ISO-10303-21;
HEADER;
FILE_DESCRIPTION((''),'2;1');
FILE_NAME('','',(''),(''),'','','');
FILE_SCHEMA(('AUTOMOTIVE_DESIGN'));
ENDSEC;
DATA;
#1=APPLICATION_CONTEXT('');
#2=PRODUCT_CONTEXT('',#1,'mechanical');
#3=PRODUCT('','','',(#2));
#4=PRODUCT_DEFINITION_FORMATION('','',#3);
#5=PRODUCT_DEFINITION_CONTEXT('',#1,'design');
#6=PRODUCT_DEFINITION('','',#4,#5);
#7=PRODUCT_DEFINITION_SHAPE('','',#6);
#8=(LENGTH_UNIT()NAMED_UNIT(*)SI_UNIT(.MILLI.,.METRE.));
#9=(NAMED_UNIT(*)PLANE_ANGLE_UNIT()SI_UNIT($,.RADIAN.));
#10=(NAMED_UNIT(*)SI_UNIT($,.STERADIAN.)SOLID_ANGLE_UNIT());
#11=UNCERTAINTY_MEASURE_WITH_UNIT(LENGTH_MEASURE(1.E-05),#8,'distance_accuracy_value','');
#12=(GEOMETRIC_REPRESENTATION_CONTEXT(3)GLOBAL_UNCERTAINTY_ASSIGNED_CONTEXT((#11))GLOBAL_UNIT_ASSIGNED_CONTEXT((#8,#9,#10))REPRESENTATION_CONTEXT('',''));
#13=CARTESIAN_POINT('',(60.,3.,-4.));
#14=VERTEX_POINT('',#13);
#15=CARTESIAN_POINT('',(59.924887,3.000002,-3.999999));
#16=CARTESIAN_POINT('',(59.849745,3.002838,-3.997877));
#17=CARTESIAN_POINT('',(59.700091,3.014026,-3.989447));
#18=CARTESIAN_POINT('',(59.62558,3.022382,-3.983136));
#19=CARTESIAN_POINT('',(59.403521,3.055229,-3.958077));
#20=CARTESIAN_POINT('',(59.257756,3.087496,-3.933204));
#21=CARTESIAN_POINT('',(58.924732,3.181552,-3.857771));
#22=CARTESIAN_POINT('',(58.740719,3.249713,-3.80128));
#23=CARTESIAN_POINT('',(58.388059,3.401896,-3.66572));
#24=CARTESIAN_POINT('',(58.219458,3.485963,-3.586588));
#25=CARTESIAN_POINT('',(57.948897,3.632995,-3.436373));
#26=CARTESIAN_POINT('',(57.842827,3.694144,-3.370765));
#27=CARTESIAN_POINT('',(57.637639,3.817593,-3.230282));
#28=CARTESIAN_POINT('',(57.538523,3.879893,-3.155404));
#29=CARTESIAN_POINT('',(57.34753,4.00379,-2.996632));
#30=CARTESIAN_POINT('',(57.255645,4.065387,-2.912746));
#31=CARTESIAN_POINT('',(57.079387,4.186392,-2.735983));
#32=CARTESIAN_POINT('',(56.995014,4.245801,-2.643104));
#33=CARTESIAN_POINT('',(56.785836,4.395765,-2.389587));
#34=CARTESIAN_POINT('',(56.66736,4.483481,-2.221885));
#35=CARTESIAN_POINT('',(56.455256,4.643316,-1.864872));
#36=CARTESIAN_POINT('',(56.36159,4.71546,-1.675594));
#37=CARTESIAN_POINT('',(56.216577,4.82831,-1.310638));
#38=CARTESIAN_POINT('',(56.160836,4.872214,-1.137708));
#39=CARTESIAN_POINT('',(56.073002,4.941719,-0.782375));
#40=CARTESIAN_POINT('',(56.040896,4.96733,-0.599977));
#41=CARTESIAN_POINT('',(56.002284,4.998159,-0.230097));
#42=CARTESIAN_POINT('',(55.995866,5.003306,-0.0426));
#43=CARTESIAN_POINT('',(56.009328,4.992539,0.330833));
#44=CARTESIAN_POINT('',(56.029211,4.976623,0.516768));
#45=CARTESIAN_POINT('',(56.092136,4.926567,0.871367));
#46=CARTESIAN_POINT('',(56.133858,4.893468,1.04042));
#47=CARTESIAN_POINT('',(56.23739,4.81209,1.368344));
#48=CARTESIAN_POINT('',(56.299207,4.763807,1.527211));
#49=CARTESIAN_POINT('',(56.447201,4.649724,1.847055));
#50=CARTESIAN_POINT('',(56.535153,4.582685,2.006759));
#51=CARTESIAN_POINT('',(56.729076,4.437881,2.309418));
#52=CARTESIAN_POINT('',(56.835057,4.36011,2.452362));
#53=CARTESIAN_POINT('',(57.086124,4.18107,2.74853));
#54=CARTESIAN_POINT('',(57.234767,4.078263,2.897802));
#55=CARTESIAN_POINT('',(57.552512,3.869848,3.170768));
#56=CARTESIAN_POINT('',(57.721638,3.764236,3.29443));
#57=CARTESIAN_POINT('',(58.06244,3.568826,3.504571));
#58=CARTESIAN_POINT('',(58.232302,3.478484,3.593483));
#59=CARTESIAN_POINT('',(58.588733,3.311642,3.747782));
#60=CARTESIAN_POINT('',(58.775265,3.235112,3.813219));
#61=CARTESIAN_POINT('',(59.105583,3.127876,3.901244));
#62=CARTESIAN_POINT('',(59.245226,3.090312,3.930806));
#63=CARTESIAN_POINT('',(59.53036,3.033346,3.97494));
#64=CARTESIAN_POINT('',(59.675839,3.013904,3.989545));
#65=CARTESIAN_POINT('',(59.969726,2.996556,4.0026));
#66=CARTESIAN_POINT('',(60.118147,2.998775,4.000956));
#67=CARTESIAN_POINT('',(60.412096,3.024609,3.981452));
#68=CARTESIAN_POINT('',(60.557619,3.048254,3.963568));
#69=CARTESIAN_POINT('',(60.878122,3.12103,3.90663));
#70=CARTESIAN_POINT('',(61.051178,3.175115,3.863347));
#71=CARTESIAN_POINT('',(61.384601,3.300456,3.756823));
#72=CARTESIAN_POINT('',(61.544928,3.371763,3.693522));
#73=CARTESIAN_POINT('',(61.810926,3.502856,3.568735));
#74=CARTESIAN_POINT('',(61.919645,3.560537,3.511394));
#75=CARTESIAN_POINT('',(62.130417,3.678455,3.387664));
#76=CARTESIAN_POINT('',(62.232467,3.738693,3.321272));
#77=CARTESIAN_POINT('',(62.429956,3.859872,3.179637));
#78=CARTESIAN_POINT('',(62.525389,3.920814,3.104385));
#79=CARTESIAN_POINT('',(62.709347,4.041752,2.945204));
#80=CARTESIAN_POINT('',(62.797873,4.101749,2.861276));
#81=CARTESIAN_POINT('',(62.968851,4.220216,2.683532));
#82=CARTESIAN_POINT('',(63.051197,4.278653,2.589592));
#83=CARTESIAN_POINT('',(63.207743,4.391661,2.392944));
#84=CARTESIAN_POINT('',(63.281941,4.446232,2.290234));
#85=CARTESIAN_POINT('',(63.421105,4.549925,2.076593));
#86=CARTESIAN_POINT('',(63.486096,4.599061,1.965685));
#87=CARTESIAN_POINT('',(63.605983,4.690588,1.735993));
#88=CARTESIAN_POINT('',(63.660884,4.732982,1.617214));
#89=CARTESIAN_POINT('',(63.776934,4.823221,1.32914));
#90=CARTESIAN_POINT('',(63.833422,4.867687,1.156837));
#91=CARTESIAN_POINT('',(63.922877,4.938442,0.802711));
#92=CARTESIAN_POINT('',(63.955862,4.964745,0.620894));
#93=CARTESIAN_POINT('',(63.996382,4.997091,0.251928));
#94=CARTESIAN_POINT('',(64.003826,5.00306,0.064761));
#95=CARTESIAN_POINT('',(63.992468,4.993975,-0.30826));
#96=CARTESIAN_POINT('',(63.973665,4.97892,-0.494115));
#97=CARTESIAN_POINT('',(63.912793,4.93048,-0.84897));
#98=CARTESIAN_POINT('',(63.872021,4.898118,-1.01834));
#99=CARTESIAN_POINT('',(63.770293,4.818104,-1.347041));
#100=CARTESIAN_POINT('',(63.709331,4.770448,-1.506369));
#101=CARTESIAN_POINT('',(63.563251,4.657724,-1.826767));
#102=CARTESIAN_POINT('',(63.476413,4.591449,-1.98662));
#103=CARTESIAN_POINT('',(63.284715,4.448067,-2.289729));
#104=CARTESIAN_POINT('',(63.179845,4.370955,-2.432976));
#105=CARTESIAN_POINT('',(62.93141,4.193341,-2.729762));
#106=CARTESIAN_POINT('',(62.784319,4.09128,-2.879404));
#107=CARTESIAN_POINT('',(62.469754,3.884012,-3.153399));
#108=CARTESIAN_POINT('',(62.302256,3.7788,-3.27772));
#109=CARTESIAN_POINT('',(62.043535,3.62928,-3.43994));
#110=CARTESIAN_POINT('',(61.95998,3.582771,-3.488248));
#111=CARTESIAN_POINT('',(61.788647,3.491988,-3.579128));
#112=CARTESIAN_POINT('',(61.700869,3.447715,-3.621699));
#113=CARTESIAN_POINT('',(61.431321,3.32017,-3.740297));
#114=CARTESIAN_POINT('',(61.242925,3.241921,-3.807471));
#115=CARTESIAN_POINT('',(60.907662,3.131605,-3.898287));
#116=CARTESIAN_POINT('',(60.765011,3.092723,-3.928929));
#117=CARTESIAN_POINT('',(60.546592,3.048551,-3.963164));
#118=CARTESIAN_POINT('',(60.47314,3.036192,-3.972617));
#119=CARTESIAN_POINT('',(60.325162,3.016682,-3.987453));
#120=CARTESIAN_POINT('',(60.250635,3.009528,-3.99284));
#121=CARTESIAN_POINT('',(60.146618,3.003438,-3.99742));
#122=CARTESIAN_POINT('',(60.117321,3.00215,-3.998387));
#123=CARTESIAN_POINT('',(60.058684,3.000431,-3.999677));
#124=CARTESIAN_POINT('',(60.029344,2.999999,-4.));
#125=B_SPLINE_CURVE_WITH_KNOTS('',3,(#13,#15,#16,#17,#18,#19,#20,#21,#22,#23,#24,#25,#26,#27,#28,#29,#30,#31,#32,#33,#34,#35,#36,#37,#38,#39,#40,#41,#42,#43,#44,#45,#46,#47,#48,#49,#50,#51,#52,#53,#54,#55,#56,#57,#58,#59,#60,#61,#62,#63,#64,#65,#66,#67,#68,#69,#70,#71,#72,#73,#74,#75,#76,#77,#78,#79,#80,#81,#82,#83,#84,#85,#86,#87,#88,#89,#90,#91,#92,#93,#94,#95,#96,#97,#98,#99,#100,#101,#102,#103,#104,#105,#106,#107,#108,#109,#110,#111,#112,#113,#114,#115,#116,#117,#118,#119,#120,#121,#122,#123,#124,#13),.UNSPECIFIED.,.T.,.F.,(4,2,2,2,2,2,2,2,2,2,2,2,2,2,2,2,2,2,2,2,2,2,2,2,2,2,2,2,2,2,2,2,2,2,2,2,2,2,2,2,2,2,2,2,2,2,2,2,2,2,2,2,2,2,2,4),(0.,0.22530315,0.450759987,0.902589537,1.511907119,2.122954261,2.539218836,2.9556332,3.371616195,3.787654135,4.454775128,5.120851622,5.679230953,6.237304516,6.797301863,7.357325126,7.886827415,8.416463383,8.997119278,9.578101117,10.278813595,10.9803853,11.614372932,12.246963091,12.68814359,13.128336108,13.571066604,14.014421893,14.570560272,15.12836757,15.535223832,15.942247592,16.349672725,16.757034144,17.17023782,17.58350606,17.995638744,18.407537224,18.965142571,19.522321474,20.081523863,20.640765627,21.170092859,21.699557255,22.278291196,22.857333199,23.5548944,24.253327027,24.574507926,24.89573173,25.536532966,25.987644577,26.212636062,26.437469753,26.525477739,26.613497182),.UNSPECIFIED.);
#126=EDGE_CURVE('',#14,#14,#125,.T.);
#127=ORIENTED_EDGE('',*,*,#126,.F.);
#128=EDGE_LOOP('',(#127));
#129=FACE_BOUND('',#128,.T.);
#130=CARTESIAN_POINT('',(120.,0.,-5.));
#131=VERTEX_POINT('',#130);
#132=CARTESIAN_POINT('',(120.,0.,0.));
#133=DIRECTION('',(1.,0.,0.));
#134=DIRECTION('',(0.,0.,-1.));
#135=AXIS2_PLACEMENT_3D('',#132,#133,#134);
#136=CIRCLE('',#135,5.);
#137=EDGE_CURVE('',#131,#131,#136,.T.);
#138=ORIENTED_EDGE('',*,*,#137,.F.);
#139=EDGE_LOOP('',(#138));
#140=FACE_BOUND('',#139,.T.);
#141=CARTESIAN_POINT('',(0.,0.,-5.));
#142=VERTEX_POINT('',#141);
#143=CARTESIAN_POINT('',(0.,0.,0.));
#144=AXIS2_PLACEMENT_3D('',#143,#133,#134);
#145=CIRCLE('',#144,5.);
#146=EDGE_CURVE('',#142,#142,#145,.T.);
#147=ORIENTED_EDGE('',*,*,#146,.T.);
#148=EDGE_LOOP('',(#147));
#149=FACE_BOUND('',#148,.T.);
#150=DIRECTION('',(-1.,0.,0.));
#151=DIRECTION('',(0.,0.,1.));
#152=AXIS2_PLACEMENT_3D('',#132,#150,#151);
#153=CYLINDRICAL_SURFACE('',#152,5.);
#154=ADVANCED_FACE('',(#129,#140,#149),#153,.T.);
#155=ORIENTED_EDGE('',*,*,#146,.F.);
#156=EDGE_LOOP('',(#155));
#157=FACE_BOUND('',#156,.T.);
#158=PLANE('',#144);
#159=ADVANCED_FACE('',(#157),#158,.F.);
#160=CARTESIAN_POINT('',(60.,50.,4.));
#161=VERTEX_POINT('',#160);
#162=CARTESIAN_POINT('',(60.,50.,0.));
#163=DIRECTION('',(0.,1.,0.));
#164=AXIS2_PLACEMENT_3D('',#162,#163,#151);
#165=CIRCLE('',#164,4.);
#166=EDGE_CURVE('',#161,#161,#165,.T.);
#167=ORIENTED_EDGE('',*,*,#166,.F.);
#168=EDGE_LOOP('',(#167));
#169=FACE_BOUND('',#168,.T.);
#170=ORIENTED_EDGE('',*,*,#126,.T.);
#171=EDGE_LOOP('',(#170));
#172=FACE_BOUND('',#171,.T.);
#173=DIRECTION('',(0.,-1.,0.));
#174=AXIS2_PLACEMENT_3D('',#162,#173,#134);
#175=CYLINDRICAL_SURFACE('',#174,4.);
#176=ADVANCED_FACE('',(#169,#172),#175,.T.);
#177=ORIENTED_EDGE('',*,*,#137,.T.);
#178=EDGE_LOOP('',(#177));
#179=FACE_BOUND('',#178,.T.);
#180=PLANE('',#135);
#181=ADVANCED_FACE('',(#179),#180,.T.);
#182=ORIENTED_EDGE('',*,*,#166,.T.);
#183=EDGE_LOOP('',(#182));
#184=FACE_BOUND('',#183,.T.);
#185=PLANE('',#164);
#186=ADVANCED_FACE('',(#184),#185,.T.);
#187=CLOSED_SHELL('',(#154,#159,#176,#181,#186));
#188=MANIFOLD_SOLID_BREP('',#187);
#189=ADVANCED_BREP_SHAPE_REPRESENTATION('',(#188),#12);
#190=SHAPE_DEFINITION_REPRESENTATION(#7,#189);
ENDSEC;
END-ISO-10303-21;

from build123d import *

# Parameters (mm, degrees)
SKETCH_1_R      = 5
EXTRUDE_1_DEPTH = 60
SKETCH_2_R      = 4
EXTRUDE_2_DEPTH = 50


with BuildPart() as part:
    # 草图1 → 凸台-拉伸1 (new, symmetric)
    with BuildSketch(Plane(origin=(0, 0, 0), x_dir=(0, 0, -1), z_dir=(1, 0, 0))):
        Circle(SKETCH_1_R)
    extrude(amount=EXTRUDE_1_DEPTH, both=True)

    # 草图2 → 凸台-拉伸2 (add)
    with BuildSketch(Plane(origin=(0, 0, 0), x_dir=(1, 0, 0), z_dir=(0, 1, 0))):
        with Locations(Location((0, 0, 0), (0, 0, 90))):
            Circle(SKETCH_2_R)
    extrude(amount=EXTRUDE_2_DEPTH)


with BuildPart() as part_1:
    # Move Body 1: moved
    add(part.part.moved(Location((60, 0, 0))))


solid = part_1.part
